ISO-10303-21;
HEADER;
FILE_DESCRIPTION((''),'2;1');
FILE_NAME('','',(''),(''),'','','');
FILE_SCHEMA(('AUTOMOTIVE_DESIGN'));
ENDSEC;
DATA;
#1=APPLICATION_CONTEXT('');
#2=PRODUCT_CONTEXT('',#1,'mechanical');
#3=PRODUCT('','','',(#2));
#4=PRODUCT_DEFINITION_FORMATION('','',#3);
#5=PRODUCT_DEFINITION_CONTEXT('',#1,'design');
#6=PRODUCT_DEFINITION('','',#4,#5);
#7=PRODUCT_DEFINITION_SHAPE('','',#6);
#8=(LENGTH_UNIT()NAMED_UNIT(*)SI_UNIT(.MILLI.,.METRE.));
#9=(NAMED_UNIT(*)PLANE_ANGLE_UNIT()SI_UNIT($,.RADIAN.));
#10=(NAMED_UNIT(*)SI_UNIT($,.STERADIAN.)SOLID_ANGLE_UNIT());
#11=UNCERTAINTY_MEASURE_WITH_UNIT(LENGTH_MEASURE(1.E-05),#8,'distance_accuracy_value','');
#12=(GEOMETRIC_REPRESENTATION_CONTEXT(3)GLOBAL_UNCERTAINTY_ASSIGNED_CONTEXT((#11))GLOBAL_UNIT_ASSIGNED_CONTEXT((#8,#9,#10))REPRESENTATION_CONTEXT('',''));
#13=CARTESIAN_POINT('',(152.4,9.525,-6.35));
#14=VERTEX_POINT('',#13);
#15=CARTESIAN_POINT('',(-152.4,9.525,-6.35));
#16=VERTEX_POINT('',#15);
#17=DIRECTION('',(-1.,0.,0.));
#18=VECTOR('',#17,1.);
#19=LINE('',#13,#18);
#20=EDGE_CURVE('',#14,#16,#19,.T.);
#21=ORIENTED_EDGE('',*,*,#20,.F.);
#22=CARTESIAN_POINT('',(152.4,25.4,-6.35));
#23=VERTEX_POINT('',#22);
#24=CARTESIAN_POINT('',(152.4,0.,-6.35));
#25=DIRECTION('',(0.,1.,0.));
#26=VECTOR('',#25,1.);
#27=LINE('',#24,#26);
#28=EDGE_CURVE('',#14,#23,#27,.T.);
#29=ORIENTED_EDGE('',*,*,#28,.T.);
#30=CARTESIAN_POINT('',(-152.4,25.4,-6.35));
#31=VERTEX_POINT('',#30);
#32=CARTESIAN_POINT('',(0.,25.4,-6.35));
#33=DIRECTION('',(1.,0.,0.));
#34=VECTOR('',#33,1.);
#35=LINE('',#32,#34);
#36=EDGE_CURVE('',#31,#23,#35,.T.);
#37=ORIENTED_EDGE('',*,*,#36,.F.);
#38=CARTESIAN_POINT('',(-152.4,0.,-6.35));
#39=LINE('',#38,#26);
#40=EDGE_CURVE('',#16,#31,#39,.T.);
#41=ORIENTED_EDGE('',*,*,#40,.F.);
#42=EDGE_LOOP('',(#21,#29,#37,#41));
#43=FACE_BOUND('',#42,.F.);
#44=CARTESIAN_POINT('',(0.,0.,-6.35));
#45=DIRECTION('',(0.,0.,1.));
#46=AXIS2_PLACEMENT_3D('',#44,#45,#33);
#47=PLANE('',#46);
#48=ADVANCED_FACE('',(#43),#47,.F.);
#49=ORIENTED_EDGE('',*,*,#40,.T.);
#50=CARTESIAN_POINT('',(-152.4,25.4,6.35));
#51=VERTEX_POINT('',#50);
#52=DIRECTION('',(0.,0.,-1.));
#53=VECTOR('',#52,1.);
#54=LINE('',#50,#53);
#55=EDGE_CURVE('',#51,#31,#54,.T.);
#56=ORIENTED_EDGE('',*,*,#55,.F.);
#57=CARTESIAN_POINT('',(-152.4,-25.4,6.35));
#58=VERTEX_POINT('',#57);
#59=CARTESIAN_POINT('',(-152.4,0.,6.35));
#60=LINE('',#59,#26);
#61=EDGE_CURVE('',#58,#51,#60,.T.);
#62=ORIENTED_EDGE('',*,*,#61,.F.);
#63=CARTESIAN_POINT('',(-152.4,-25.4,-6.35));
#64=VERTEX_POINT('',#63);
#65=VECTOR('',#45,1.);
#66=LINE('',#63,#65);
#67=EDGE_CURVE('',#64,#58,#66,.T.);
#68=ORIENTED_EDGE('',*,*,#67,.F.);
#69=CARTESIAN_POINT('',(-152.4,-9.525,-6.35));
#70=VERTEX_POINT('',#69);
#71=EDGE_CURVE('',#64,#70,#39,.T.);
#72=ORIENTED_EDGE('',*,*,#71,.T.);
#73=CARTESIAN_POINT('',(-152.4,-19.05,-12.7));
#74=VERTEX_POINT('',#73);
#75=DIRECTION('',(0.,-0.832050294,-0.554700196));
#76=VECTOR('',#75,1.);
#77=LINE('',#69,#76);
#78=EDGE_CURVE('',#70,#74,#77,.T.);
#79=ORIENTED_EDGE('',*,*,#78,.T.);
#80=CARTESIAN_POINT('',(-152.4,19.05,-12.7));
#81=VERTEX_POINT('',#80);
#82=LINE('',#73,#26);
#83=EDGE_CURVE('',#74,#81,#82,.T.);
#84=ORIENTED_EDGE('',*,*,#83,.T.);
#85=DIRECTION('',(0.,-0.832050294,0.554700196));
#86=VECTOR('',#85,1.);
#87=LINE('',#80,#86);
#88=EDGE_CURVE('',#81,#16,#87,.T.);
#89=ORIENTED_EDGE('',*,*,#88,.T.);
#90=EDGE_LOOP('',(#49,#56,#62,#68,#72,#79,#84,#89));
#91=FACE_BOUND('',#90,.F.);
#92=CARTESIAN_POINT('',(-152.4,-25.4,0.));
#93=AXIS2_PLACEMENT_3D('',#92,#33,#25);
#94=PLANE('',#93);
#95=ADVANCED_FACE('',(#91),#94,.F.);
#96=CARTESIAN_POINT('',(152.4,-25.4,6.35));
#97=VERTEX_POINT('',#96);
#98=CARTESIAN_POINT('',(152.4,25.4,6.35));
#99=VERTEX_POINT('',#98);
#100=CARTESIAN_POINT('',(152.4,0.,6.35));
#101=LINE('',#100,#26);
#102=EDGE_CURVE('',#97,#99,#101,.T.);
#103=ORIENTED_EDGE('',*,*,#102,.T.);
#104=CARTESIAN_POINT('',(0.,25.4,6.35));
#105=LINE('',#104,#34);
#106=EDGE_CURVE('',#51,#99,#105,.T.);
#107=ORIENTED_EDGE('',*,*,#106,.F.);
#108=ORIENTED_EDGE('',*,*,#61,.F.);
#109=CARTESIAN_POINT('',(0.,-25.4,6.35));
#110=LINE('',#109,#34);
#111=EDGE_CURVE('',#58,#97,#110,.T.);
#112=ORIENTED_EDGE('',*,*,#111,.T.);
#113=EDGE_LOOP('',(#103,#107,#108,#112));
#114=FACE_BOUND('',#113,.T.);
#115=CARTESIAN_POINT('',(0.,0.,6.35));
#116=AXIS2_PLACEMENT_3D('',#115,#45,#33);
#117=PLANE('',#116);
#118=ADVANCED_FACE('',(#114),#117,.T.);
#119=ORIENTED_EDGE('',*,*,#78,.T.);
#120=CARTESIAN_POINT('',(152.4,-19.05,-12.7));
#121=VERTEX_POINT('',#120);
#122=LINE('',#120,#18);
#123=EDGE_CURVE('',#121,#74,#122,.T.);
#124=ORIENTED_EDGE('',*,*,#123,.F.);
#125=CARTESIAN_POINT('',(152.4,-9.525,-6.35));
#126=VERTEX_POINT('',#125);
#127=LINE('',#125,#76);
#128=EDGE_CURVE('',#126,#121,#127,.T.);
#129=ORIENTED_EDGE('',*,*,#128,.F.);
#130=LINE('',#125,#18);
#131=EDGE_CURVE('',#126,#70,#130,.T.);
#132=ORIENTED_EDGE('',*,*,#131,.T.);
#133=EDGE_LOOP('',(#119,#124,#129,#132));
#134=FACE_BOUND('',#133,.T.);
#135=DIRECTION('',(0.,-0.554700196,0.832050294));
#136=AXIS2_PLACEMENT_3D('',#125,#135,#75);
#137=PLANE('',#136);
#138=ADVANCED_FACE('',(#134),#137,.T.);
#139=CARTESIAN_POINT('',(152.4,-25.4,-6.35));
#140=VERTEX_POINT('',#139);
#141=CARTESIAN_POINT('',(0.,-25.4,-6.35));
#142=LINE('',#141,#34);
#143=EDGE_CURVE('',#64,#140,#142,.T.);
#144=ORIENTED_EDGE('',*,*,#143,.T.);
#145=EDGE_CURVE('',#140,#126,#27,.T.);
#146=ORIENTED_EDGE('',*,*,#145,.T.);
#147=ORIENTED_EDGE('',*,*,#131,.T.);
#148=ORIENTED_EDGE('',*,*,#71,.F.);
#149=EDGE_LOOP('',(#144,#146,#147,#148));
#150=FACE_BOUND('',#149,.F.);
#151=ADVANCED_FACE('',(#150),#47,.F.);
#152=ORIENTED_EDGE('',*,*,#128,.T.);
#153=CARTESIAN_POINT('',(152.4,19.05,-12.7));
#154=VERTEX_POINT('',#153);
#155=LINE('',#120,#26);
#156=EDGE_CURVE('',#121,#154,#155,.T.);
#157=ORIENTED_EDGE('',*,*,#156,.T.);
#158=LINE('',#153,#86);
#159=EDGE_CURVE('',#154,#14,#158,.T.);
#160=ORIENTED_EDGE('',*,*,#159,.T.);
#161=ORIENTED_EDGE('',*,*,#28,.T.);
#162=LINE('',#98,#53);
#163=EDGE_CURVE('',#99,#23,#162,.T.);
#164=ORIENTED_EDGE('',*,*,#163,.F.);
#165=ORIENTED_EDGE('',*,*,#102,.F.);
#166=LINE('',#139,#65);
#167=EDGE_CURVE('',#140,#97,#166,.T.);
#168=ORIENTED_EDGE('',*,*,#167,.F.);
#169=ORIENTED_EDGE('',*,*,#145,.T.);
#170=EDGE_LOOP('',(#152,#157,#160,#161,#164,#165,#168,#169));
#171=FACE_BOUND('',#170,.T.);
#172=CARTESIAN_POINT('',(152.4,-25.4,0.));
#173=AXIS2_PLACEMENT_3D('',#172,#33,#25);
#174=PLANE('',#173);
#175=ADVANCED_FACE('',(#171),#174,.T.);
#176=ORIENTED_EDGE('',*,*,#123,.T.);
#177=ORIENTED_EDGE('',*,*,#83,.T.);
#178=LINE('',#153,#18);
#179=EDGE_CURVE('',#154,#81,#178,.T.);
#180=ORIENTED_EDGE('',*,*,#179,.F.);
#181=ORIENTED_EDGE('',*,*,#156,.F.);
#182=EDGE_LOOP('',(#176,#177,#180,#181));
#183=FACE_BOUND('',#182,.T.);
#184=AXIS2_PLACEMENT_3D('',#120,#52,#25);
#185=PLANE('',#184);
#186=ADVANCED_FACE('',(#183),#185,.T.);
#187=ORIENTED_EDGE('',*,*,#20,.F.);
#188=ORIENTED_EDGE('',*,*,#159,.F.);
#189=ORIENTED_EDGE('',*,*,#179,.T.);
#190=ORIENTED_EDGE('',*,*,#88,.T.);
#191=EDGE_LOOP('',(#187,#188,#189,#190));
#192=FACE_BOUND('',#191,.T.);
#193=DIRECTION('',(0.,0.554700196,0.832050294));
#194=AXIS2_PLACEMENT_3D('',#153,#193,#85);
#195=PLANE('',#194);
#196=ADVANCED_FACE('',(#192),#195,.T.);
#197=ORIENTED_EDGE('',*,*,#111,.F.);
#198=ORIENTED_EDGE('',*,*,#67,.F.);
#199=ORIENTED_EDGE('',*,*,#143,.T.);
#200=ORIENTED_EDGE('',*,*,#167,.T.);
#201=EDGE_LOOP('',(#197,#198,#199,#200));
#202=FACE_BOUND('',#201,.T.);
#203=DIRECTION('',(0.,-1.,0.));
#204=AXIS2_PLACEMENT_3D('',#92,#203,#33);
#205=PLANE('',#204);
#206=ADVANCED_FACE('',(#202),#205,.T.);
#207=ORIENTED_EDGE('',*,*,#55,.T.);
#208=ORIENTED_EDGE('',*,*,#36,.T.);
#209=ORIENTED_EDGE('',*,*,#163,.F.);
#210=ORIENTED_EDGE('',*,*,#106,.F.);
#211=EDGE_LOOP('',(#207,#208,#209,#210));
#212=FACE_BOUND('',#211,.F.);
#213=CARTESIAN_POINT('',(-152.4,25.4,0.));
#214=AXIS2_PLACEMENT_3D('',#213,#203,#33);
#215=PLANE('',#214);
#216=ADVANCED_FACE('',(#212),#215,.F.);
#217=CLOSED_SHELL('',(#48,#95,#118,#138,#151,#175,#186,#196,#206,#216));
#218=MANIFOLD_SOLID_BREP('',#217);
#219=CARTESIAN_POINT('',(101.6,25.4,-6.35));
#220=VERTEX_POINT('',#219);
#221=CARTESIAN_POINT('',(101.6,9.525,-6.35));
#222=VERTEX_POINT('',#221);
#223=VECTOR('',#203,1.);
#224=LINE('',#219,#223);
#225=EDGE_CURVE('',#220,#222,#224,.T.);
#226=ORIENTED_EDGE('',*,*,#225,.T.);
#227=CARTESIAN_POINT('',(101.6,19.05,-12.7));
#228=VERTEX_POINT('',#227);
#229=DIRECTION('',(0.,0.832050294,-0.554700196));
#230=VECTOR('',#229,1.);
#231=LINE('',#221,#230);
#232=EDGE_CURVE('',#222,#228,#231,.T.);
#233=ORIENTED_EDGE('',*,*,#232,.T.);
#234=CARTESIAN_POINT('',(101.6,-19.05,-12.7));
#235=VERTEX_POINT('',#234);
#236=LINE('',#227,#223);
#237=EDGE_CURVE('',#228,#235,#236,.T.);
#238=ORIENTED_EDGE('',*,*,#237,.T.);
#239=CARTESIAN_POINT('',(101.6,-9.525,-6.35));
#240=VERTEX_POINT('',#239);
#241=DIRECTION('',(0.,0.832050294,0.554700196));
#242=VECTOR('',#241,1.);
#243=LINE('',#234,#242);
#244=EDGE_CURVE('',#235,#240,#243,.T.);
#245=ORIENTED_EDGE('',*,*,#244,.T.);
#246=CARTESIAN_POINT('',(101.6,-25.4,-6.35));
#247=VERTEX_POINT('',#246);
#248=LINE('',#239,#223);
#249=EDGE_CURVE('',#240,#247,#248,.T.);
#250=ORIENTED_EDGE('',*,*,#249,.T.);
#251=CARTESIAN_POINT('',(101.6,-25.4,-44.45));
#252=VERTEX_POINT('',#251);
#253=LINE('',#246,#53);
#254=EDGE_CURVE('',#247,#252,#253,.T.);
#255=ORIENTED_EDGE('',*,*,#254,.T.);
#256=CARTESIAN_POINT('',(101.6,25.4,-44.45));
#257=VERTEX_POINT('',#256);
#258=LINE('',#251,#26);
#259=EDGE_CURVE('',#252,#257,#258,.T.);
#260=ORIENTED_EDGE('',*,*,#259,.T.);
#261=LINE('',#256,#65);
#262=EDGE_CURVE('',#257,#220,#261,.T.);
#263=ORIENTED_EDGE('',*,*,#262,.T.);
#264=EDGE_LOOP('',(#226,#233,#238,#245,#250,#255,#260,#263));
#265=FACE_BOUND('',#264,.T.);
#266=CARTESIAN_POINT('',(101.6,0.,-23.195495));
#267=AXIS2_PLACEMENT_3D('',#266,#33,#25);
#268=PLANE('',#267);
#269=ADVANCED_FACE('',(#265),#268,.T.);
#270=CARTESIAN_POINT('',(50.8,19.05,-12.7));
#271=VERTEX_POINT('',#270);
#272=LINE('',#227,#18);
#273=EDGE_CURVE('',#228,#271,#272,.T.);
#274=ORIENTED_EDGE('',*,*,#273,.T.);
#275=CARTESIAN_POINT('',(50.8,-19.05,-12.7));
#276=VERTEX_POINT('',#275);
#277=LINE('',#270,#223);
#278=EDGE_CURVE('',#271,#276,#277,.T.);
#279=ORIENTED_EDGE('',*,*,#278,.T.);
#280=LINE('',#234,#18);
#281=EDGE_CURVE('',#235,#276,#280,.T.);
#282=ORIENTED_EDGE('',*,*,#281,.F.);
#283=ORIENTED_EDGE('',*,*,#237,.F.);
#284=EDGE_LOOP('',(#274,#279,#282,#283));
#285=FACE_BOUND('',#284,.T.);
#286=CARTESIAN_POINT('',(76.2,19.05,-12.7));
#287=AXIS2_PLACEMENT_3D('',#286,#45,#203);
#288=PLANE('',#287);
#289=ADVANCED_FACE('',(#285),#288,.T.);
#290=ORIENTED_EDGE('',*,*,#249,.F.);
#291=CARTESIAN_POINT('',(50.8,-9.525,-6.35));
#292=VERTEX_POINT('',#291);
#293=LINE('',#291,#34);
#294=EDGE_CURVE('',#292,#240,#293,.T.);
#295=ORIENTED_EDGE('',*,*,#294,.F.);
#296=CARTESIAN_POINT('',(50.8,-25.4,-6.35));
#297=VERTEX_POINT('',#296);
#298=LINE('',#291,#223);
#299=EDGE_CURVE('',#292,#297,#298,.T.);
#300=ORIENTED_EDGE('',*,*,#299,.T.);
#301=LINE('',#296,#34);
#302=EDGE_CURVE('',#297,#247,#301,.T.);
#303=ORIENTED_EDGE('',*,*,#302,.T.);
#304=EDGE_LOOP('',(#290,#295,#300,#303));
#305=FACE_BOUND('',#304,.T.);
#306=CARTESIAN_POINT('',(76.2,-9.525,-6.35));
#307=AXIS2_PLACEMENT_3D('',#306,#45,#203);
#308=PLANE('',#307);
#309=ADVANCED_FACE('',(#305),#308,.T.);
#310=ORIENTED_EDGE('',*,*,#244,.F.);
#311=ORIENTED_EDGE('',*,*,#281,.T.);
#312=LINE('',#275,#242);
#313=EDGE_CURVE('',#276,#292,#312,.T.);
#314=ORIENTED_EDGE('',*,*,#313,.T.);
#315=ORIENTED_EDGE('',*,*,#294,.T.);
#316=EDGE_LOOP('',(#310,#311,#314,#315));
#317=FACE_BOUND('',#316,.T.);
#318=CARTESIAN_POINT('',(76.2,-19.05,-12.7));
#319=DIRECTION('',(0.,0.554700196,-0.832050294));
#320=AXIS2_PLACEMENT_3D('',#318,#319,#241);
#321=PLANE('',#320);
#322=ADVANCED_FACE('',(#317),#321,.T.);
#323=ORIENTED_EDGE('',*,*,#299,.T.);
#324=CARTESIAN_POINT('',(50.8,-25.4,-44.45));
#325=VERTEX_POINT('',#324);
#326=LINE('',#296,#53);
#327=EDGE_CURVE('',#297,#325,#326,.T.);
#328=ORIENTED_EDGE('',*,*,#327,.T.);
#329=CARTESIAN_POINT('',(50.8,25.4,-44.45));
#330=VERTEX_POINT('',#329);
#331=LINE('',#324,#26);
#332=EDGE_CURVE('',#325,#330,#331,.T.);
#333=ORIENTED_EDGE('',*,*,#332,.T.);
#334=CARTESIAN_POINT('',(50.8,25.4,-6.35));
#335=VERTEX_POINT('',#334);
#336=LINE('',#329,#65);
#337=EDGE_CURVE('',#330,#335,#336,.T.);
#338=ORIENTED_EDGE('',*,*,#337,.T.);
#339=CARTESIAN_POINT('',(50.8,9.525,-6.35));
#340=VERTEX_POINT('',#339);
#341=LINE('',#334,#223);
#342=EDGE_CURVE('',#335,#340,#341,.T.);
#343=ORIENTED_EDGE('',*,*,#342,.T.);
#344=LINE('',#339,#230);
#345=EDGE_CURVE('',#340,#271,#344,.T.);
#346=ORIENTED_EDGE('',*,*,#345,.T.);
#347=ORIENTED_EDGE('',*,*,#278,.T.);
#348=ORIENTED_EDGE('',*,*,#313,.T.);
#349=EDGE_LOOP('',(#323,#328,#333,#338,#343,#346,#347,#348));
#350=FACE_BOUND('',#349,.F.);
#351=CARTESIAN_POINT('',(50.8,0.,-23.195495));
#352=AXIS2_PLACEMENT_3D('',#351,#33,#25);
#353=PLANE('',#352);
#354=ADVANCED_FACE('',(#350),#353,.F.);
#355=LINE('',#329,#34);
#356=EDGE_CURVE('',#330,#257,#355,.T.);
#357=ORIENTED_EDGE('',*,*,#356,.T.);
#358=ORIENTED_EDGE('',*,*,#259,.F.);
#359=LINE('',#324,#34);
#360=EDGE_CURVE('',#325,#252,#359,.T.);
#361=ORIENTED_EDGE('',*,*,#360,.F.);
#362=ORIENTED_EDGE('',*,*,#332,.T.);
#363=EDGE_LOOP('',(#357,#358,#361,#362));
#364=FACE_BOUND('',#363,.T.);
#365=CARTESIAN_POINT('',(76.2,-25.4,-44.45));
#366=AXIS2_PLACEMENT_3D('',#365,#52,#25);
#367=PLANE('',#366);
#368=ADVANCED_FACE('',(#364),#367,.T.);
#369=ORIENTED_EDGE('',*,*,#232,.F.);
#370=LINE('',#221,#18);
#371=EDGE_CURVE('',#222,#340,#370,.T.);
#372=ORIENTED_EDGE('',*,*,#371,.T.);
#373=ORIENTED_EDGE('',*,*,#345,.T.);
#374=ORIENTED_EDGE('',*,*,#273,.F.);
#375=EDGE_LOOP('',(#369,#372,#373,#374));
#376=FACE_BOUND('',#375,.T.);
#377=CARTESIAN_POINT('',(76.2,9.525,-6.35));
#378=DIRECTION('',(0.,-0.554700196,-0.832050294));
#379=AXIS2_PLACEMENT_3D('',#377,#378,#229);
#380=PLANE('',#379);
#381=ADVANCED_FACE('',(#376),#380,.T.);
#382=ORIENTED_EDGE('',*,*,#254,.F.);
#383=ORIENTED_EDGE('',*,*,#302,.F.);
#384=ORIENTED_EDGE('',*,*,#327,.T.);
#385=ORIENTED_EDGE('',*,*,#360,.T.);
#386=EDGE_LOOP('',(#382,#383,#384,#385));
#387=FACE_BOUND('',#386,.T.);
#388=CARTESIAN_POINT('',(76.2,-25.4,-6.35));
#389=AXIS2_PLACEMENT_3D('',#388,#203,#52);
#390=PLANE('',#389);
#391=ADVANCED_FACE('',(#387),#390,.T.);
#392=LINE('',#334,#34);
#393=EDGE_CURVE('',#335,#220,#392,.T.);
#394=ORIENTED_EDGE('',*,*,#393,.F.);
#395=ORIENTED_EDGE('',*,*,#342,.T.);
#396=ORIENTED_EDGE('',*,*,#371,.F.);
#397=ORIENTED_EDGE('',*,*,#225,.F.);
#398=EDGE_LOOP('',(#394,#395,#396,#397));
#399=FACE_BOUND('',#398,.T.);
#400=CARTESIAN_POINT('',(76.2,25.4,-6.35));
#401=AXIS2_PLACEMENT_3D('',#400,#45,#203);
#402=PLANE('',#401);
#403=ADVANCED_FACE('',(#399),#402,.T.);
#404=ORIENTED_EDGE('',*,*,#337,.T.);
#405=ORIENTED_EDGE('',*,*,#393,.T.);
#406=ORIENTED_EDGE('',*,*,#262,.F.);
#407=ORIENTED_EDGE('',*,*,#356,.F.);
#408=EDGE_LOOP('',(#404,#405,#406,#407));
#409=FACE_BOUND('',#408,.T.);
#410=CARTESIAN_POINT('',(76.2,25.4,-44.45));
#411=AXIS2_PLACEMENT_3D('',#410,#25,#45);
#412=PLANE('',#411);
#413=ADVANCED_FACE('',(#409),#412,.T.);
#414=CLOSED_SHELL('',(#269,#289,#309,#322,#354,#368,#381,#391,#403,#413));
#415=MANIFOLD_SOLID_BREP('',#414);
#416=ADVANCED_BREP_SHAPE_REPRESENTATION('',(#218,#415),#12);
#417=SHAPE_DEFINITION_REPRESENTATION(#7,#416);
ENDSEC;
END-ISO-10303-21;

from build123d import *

# Parameters (mm, degrees)
F0_W     = 304.8
F0_H     = 50.8
F1_DEPTH = 6.35
F3_DEPTH = 304.8
F6_DEPTH = 25.4


with BuildPart() as f1:
    # F0 (on Top) → F1 (new body, symmetric)
    with BuildSketch(Plane.XY):
        Rectangle(F0_W, F0_H)
    extrude(amount=F1_DEPTH, both=True)

    # F2 (on face) → F3 (join, through all)
    with BuildSketch(Plane.YZ.offset(152.4)):
        Polygon((9.525, -6.35), (-9.525, -6.35), (-19.05, -12.7), (19.05, -12.7), align=None)
    extrude(amount=-F3_DEPTH)


with BuildPart() as f6:
    # F5 (on offset) → F6 (new body, symmetric)
    with BuildSketch(Plane.YZ.offset(76.2)):
        Polygon((-19.05, -12.7), (-9.525, -6.35), (-25.4, -6.35), (-25.4, -44.45), (25.4, -44.45), (25.4, -6.35), (9.525, -6.35), (19.05, -12.7), align=None)
    extrude(amount=F6_DEPTH, both=True)


solid = Compound([f1.part, f6.part])
